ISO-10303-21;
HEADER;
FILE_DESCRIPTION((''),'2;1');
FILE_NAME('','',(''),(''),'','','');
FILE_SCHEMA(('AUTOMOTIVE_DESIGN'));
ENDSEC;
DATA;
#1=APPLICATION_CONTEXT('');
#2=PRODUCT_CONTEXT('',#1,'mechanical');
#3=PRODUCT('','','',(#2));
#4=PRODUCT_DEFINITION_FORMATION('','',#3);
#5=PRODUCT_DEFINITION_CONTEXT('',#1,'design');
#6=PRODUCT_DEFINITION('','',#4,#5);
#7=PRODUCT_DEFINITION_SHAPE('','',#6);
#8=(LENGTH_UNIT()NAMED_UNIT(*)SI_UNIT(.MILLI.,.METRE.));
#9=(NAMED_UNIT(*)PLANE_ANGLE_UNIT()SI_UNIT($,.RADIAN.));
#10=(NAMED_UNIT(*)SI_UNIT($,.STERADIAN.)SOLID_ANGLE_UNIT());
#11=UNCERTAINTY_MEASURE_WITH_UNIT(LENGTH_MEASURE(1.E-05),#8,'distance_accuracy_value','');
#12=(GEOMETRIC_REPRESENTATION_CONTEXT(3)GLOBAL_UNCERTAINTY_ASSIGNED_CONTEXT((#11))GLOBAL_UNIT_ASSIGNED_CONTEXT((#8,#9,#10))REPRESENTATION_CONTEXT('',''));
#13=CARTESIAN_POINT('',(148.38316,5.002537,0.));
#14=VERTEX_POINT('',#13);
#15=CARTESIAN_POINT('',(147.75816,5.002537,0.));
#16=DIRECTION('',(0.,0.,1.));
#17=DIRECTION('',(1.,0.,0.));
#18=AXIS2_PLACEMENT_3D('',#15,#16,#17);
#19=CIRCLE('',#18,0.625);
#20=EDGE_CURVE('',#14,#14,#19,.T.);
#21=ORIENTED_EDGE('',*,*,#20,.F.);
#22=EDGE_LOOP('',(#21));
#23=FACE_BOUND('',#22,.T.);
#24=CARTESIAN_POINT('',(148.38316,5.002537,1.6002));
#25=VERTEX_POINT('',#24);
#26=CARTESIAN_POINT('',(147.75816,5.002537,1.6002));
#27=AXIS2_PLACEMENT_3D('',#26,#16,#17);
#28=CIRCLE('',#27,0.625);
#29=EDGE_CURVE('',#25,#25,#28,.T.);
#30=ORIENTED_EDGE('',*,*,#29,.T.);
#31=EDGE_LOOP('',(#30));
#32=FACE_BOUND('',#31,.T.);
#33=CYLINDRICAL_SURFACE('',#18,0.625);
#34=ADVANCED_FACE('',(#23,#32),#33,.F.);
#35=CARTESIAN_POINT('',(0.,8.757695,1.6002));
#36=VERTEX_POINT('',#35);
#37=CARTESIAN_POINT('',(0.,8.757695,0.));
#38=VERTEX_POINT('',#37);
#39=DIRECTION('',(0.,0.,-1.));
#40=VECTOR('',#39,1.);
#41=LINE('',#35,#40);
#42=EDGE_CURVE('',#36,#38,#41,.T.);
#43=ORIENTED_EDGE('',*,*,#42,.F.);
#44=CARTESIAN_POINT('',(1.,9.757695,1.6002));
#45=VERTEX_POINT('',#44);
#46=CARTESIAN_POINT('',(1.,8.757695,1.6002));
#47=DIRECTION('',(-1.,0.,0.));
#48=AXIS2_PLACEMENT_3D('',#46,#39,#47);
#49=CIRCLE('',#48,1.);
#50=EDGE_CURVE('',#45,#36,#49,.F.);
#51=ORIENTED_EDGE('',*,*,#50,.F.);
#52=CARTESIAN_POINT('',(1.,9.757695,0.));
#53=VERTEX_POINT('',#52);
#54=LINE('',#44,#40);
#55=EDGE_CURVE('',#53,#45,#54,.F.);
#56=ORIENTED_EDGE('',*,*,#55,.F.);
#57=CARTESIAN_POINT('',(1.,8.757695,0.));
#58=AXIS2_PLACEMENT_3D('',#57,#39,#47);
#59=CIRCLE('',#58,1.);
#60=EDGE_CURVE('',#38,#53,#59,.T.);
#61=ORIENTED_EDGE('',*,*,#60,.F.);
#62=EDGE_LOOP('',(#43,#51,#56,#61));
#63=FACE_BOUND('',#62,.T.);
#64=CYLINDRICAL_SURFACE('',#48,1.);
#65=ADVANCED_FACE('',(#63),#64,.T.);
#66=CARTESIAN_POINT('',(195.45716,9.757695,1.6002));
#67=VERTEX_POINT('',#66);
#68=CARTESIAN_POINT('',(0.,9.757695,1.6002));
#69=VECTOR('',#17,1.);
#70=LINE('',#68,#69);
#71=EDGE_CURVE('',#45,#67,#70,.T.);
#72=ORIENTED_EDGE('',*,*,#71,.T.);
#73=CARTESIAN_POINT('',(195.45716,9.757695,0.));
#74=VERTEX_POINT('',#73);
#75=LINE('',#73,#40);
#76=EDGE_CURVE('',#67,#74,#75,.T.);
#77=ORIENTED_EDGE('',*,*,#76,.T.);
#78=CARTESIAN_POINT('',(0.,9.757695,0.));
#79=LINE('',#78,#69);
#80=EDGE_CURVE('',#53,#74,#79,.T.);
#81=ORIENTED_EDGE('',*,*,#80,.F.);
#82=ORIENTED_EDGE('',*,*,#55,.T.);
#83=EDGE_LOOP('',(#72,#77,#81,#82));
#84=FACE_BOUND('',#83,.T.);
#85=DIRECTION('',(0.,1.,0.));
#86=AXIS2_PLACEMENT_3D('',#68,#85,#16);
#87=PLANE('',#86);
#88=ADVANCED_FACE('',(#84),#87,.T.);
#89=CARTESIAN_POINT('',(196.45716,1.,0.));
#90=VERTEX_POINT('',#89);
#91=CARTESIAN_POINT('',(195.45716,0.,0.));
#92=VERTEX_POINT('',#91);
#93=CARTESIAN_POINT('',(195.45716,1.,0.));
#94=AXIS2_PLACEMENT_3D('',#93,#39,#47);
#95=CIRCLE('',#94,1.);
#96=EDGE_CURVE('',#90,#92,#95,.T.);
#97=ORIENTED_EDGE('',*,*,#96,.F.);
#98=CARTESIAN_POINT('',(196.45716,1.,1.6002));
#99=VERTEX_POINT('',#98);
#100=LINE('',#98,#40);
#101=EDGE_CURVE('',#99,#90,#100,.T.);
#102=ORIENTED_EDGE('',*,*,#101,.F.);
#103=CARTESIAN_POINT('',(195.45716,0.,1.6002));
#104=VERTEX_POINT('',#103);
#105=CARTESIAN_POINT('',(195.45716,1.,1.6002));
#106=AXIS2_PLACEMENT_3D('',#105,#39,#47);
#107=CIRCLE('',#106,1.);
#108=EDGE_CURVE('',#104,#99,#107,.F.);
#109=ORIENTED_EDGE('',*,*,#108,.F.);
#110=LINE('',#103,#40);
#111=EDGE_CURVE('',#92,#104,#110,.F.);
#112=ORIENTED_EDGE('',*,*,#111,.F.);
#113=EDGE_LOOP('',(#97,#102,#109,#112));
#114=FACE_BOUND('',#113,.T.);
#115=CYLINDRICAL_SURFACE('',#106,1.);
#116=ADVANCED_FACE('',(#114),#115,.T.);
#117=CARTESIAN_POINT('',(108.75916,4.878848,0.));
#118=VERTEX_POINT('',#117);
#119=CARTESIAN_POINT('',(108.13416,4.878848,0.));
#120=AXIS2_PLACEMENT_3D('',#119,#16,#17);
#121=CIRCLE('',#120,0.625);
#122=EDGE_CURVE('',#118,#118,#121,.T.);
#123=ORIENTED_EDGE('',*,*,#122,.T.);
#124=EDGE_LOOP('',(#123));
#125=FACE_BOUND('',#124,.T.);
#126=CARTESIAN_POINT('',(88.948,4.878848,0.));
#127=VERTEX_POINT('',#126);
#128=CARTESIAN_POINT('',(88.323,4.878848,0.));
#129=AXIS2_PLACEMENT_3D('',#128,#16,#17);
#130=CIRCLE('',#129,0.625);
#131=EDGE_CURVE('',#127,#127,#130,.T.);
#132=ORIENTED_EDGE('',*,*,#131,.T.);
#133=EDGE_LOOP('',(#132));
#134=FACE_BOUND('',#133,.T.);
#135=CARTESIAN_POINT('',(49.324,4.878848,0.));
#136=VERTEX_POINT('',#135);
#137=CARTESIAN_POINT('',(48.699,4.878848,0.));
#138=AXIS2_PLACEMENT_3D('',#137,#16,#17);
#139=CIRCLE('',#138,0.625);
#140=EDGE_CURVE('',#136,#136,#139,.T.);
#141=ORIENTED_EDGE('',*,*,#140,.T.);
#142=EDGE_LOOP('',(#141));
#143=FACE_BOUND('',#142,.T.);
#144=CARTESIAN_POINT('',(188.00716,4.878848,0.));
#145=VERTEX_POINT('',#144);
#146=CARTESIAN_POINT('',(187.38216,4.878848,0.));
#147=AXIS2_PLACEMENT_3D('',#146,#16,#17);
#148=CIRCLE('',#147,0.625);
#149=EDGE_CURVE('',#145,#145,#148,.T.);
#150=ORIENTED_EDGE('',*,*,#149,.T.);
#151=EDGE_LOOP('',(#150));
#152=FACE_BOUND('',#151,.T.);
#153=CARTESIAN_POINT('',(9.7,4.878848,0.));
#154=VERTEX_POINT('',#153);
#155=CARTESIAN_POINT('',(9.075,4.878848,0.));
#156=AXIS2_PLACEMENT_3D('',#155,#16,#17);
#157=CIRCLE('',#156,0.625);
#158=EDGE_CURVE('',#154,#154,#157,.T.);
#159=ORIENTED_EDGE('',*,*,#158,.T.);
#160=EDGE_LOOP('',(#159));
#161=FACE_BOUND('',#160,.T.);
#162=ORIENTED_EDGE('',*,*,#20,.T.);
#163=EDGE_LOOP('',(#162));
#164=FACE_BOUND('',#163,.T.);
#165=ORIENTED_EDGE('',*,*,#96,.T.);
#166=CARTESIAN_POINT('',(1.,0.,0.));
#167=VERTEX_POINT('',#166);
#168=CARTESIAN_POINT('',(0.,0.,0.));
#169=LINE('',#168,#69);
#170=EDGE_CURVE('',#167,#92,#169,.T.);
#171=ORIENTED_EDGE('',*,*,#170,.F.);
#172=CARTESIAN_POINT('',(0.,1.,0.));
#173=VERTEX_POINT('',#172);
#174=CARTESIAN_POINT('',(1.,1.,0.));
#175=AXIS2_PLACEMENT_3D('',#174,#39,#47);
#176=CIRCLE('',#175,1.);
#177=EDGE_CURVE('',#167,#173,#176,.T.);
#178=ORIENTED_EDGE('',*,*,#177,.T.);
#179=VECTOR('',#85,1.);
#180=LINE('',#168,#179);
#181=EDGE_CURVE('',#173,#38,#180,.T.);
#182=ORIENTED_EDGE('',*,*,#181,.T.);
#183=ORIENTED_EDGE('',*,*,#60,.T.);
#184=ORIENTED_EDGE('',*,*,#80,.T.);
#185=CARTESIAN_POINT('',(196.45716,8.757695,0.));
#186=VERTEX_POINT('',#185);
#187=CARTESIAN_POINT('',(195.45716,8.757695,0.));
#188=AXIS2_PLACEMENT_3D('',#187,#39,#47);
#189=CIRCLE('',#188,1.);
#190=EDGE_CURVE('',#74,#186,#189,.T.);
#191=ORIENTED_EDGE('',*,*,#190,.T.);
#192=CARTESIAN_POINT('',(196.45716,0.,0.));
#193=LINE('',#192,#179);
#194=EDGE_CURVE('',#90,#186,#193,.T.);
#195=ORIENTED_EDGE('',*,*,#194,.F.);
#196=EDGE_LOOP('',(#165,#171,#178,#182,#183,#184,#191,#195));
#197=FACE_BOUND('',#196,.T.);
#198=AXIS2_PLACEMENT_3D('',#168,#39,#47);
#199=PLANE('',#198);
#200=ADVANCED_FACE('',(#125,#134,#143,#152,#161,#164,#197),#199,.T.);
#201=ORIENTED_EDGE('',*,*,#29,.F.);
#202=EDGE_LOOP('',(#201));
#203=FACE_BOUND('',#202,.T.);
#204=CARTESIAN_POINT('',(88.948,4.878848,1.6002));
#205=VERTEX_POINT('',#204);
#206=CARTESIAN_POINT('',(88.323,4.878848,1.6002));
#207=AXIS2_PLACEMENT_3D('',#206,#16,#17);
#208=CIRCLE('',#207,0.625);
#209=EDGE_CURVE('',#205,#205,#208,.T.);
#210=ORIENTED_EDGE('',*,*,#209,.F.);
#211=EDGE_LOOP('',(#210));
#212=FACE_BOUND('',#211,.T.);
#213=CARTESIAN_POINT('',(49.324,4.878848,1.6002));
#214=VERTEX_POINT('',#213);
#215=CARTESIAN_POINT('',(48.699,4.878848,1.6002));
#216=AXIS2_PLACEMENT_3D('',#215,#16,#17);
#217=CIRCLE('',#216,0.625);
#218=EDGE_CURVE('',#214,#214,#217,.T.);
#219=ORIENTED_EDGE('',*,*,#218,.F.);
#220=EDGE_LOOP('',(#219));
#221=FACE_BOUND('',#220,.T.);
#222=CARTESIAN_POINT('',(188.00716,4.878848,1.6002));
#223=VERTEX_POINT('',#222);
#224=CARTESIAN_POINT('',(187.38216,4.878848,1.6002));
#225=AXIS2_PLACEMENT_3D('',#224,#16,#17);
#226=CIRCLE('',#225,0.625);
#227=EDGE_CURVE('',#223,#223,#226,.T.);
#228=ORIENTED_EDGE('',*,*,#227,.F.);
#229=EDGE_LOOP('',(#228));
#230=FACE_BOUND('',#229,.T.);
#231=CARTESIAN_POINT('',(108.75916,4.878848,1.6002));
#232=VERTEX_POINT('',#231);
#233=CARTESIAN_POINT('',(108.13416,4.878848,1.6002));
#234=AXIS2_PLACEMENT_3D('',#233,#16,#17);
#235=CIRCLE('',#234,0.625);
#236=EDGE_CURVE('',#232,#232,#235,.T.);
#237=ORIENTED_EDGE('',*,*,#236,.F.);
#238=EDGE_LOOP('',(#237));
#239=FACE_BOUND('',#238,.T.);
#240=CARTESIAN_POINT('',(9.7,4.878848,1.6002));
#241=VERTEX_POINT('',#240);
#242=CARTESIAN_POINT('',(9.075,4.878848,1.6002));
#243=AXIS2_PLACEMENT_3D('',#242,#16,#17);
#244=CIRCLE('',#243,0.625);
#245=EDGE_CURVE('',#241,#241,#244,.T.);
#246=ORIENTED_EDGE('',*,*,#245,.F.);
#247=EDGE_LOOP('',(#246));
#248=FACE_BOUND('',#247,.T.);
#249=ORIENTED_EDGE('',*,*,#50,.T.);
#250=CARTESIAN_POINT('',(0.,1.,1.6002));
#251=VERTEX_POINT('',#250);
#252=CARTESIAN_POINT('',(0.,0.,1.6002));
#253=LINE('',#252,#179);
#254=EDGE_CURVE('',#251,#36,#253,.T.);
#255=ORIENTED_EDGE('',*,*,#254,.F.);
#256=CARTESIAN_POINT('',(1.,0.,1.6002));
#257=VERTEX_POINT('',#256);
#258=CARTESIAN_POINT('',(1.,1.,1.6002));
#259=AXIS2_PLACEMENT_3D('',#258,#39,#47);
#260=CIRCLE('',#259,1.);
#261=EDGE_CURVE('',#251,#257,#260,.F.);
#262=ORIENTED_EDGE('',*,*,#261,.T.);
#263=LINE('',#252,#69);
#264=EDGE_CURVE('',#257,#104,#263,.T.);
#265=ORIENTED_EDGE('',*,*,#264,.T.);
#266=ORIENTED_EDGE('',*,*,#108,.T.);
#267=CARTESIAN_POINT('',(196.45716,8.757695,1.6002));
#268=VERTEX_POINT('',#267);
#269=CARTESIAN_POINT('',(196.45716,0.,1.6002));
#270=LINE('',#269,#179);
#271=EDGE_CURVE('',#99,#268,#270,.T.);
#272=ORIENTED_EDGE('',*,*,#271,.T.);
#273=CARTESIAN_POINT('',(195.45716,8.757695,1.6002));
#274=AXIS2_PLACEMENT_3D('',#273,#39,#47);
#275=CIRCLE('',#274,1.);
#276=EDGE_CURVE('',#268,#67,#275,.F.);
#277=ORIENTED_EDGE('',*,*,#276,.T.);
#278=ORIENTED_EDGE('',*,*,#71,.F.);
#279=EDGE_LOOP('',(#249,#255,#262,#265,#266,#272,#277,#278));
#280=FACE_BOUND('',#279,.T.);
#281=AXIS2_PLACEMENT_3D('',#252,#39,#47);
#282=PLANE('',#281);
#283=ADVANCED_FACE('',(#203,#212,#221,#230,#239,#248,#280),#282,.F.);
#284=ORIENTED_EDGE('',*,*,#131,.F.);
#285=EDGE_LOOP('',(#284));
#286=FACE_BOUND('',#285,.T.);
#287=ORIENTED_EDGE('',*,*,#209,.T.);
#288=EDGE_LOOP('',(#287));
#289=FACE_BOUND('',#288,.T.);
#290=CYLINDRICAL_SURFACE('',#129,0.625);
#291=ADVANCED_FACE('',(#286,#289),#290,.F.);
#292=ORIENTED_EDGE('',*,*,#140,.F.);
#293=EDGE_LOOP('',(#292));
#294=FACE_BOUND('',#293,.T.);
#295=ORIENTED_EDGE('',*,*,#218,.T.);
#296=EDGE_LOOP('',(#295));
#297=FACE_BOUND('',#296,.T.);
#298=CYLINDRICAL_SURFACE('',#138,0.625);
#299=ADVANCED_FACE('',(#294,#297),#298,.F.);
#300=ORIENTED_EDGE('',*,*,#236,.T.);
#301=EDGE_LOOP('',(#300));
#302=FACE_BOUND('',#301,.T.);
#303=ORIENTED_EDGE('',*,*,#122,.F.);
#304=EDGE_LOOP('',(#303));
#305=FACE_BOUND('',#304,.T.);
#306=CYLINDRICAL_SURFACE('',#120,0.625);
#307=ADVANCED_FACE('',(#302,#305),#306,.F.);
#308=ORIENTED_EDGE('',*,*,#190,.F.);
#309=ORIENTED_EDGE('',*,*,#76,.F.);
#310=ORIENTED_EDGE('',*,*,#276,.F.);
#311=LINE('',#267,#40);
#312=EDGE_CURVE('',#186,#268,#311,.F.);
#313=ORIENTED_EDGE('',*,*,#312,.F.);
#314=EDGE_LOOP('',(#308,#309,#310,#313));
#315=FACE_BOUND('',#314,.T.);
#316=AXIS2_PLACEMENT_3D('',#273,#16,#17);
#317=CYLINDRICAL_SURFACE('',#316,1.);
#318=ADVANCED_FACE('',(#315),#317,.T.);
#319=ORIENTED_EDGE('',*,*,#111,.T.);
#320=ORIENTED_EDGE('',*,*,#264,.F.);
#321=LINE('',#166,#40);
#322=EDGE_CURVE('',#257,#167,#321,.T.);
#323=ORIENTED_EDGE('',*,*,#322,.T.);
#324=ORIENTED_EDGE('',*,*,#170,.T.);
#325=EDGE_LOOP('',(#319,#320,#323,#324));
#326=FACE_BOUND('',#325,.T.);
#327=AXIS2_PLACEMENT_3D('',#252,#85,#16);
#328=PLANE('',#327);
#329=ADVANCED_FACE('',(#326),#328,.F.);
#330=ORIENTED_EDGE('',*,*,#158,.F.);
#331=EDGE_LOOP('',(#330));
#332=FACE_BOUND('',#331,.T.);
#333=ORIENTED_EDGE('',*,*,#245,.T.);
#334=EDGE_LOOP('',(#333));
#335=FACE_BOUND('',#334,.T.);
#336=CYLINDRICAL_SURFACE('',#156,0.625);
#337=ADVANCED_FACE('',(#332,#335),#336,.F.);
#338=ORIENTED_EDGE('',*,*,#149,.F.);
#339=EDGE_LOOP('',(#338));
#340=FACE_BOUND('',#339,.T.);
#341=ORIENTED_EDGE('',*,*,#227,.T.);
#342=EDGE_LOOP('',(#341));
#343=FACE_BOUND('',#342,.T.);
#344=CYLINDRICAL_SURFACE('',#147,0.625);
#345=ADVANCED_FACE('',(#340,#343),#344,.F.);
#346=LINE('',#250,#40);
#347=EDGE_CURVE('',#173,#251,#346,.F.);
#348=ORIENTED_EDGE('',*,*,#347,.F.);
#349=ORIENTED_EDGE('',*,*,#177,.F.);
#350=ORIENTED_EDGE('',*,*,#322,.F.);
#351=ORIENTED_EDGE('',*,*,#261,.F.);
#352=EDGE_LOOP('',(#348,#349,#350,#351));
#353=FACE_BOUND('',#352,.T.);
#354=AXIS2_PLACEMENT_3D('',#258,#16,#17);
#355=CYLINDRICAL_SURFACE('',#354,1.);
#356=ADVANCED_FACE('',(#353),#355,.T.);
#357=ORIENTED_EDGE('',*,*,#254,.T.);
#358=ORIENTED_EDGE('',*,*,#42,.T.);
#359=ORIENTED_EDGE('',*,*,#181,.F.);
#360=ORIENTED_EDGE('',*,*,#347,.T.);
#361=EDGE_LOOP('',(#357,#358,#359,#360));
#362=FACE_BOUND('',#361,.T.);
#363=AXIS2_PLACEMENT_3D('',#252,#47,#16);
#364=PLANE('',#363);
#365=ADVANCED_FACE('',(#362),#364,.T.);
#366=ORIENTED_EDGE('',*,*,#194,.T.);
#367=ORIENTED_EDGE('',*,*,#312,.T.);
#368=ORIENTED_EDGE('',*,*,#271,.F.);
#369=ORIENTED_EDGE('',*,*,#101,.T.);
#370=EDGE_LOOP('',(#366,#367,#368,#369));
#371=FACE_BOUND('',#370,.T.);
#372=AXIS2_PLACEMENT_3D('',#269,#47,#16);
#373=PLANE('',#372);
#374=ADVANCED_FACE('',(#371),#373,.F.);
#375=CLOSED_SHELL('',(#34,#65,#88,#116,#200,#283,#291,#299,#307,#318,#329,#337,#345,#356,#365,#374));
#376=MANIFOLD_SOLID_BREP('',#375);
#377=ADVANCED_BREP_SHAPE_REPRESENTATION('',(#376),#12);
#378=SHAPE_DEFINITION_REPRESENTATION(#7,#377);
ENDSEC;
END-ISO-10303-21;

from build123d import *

# Parameters (mm, degrees)
SKETCH1_W           = 196.457160044
SKETCH1_H           = 9.757695242
BOSS_EXTRUDE1_DEPTH = 1.6002
SKETCH2_R           = 0.625
SKETCH2_R_2         = 0.62500002
CUT_EXTRUDE1_DEPTH  = 197.70584381
FILLET1_R           = 1


with BuildPart() as part:
    # Sketch1 → Boss-Extrude1 (new body)
    with BuildSketch(Plane.XY):
        with Locations((98.228580022, 4.878847621)):
            Rectangle(SKETCH1_W, SKETCH1_H)
    extrude(amount=BOSS_EXTRUDE1_DEPTH)

    # Sketch2 → Cut-Extrude1 (cut, through all)
    with BuildSketch(Plane.XY.offset(1.6002)):
        with Locations((9.074999884, 4.878847621)):
            Circle(SKETCH2_R)
        with Locations((48.698999884, 4.878847621)):
            Circle(SKETCH2_R)
        with Locations((88.323000138, 4.878847621)):
            Circle(SKETCH2_R)
        with Locations((187.38216016, 4.878847621)):
            Circle(SKETCH2_R_2)
        with Locations((147.75816016, 5.002536516)):
            Circle(SKETCH2_R_2)
        with Locations((108.13416016, 4.878847621)):
            Circle(SKETCH2_R_2)
    extrude(amount=-CUT_EXTRUDE1_DEPTH, mode=Mode.SUBTRACT)

    # Fillet1
    fillet1_edges = [part.edges().sort_by_distance(p)[0] for p in [
        (0, 0, 0.8001),
        (196.457160044, 0, 0.8001),
        (196.457160044, 9.757695242, 0.8001),
        (0, 9.757695242, 0.8001),
    ]]
    fillet(fillet1_edges, radius=FILLET1_R)


solid = part.part
